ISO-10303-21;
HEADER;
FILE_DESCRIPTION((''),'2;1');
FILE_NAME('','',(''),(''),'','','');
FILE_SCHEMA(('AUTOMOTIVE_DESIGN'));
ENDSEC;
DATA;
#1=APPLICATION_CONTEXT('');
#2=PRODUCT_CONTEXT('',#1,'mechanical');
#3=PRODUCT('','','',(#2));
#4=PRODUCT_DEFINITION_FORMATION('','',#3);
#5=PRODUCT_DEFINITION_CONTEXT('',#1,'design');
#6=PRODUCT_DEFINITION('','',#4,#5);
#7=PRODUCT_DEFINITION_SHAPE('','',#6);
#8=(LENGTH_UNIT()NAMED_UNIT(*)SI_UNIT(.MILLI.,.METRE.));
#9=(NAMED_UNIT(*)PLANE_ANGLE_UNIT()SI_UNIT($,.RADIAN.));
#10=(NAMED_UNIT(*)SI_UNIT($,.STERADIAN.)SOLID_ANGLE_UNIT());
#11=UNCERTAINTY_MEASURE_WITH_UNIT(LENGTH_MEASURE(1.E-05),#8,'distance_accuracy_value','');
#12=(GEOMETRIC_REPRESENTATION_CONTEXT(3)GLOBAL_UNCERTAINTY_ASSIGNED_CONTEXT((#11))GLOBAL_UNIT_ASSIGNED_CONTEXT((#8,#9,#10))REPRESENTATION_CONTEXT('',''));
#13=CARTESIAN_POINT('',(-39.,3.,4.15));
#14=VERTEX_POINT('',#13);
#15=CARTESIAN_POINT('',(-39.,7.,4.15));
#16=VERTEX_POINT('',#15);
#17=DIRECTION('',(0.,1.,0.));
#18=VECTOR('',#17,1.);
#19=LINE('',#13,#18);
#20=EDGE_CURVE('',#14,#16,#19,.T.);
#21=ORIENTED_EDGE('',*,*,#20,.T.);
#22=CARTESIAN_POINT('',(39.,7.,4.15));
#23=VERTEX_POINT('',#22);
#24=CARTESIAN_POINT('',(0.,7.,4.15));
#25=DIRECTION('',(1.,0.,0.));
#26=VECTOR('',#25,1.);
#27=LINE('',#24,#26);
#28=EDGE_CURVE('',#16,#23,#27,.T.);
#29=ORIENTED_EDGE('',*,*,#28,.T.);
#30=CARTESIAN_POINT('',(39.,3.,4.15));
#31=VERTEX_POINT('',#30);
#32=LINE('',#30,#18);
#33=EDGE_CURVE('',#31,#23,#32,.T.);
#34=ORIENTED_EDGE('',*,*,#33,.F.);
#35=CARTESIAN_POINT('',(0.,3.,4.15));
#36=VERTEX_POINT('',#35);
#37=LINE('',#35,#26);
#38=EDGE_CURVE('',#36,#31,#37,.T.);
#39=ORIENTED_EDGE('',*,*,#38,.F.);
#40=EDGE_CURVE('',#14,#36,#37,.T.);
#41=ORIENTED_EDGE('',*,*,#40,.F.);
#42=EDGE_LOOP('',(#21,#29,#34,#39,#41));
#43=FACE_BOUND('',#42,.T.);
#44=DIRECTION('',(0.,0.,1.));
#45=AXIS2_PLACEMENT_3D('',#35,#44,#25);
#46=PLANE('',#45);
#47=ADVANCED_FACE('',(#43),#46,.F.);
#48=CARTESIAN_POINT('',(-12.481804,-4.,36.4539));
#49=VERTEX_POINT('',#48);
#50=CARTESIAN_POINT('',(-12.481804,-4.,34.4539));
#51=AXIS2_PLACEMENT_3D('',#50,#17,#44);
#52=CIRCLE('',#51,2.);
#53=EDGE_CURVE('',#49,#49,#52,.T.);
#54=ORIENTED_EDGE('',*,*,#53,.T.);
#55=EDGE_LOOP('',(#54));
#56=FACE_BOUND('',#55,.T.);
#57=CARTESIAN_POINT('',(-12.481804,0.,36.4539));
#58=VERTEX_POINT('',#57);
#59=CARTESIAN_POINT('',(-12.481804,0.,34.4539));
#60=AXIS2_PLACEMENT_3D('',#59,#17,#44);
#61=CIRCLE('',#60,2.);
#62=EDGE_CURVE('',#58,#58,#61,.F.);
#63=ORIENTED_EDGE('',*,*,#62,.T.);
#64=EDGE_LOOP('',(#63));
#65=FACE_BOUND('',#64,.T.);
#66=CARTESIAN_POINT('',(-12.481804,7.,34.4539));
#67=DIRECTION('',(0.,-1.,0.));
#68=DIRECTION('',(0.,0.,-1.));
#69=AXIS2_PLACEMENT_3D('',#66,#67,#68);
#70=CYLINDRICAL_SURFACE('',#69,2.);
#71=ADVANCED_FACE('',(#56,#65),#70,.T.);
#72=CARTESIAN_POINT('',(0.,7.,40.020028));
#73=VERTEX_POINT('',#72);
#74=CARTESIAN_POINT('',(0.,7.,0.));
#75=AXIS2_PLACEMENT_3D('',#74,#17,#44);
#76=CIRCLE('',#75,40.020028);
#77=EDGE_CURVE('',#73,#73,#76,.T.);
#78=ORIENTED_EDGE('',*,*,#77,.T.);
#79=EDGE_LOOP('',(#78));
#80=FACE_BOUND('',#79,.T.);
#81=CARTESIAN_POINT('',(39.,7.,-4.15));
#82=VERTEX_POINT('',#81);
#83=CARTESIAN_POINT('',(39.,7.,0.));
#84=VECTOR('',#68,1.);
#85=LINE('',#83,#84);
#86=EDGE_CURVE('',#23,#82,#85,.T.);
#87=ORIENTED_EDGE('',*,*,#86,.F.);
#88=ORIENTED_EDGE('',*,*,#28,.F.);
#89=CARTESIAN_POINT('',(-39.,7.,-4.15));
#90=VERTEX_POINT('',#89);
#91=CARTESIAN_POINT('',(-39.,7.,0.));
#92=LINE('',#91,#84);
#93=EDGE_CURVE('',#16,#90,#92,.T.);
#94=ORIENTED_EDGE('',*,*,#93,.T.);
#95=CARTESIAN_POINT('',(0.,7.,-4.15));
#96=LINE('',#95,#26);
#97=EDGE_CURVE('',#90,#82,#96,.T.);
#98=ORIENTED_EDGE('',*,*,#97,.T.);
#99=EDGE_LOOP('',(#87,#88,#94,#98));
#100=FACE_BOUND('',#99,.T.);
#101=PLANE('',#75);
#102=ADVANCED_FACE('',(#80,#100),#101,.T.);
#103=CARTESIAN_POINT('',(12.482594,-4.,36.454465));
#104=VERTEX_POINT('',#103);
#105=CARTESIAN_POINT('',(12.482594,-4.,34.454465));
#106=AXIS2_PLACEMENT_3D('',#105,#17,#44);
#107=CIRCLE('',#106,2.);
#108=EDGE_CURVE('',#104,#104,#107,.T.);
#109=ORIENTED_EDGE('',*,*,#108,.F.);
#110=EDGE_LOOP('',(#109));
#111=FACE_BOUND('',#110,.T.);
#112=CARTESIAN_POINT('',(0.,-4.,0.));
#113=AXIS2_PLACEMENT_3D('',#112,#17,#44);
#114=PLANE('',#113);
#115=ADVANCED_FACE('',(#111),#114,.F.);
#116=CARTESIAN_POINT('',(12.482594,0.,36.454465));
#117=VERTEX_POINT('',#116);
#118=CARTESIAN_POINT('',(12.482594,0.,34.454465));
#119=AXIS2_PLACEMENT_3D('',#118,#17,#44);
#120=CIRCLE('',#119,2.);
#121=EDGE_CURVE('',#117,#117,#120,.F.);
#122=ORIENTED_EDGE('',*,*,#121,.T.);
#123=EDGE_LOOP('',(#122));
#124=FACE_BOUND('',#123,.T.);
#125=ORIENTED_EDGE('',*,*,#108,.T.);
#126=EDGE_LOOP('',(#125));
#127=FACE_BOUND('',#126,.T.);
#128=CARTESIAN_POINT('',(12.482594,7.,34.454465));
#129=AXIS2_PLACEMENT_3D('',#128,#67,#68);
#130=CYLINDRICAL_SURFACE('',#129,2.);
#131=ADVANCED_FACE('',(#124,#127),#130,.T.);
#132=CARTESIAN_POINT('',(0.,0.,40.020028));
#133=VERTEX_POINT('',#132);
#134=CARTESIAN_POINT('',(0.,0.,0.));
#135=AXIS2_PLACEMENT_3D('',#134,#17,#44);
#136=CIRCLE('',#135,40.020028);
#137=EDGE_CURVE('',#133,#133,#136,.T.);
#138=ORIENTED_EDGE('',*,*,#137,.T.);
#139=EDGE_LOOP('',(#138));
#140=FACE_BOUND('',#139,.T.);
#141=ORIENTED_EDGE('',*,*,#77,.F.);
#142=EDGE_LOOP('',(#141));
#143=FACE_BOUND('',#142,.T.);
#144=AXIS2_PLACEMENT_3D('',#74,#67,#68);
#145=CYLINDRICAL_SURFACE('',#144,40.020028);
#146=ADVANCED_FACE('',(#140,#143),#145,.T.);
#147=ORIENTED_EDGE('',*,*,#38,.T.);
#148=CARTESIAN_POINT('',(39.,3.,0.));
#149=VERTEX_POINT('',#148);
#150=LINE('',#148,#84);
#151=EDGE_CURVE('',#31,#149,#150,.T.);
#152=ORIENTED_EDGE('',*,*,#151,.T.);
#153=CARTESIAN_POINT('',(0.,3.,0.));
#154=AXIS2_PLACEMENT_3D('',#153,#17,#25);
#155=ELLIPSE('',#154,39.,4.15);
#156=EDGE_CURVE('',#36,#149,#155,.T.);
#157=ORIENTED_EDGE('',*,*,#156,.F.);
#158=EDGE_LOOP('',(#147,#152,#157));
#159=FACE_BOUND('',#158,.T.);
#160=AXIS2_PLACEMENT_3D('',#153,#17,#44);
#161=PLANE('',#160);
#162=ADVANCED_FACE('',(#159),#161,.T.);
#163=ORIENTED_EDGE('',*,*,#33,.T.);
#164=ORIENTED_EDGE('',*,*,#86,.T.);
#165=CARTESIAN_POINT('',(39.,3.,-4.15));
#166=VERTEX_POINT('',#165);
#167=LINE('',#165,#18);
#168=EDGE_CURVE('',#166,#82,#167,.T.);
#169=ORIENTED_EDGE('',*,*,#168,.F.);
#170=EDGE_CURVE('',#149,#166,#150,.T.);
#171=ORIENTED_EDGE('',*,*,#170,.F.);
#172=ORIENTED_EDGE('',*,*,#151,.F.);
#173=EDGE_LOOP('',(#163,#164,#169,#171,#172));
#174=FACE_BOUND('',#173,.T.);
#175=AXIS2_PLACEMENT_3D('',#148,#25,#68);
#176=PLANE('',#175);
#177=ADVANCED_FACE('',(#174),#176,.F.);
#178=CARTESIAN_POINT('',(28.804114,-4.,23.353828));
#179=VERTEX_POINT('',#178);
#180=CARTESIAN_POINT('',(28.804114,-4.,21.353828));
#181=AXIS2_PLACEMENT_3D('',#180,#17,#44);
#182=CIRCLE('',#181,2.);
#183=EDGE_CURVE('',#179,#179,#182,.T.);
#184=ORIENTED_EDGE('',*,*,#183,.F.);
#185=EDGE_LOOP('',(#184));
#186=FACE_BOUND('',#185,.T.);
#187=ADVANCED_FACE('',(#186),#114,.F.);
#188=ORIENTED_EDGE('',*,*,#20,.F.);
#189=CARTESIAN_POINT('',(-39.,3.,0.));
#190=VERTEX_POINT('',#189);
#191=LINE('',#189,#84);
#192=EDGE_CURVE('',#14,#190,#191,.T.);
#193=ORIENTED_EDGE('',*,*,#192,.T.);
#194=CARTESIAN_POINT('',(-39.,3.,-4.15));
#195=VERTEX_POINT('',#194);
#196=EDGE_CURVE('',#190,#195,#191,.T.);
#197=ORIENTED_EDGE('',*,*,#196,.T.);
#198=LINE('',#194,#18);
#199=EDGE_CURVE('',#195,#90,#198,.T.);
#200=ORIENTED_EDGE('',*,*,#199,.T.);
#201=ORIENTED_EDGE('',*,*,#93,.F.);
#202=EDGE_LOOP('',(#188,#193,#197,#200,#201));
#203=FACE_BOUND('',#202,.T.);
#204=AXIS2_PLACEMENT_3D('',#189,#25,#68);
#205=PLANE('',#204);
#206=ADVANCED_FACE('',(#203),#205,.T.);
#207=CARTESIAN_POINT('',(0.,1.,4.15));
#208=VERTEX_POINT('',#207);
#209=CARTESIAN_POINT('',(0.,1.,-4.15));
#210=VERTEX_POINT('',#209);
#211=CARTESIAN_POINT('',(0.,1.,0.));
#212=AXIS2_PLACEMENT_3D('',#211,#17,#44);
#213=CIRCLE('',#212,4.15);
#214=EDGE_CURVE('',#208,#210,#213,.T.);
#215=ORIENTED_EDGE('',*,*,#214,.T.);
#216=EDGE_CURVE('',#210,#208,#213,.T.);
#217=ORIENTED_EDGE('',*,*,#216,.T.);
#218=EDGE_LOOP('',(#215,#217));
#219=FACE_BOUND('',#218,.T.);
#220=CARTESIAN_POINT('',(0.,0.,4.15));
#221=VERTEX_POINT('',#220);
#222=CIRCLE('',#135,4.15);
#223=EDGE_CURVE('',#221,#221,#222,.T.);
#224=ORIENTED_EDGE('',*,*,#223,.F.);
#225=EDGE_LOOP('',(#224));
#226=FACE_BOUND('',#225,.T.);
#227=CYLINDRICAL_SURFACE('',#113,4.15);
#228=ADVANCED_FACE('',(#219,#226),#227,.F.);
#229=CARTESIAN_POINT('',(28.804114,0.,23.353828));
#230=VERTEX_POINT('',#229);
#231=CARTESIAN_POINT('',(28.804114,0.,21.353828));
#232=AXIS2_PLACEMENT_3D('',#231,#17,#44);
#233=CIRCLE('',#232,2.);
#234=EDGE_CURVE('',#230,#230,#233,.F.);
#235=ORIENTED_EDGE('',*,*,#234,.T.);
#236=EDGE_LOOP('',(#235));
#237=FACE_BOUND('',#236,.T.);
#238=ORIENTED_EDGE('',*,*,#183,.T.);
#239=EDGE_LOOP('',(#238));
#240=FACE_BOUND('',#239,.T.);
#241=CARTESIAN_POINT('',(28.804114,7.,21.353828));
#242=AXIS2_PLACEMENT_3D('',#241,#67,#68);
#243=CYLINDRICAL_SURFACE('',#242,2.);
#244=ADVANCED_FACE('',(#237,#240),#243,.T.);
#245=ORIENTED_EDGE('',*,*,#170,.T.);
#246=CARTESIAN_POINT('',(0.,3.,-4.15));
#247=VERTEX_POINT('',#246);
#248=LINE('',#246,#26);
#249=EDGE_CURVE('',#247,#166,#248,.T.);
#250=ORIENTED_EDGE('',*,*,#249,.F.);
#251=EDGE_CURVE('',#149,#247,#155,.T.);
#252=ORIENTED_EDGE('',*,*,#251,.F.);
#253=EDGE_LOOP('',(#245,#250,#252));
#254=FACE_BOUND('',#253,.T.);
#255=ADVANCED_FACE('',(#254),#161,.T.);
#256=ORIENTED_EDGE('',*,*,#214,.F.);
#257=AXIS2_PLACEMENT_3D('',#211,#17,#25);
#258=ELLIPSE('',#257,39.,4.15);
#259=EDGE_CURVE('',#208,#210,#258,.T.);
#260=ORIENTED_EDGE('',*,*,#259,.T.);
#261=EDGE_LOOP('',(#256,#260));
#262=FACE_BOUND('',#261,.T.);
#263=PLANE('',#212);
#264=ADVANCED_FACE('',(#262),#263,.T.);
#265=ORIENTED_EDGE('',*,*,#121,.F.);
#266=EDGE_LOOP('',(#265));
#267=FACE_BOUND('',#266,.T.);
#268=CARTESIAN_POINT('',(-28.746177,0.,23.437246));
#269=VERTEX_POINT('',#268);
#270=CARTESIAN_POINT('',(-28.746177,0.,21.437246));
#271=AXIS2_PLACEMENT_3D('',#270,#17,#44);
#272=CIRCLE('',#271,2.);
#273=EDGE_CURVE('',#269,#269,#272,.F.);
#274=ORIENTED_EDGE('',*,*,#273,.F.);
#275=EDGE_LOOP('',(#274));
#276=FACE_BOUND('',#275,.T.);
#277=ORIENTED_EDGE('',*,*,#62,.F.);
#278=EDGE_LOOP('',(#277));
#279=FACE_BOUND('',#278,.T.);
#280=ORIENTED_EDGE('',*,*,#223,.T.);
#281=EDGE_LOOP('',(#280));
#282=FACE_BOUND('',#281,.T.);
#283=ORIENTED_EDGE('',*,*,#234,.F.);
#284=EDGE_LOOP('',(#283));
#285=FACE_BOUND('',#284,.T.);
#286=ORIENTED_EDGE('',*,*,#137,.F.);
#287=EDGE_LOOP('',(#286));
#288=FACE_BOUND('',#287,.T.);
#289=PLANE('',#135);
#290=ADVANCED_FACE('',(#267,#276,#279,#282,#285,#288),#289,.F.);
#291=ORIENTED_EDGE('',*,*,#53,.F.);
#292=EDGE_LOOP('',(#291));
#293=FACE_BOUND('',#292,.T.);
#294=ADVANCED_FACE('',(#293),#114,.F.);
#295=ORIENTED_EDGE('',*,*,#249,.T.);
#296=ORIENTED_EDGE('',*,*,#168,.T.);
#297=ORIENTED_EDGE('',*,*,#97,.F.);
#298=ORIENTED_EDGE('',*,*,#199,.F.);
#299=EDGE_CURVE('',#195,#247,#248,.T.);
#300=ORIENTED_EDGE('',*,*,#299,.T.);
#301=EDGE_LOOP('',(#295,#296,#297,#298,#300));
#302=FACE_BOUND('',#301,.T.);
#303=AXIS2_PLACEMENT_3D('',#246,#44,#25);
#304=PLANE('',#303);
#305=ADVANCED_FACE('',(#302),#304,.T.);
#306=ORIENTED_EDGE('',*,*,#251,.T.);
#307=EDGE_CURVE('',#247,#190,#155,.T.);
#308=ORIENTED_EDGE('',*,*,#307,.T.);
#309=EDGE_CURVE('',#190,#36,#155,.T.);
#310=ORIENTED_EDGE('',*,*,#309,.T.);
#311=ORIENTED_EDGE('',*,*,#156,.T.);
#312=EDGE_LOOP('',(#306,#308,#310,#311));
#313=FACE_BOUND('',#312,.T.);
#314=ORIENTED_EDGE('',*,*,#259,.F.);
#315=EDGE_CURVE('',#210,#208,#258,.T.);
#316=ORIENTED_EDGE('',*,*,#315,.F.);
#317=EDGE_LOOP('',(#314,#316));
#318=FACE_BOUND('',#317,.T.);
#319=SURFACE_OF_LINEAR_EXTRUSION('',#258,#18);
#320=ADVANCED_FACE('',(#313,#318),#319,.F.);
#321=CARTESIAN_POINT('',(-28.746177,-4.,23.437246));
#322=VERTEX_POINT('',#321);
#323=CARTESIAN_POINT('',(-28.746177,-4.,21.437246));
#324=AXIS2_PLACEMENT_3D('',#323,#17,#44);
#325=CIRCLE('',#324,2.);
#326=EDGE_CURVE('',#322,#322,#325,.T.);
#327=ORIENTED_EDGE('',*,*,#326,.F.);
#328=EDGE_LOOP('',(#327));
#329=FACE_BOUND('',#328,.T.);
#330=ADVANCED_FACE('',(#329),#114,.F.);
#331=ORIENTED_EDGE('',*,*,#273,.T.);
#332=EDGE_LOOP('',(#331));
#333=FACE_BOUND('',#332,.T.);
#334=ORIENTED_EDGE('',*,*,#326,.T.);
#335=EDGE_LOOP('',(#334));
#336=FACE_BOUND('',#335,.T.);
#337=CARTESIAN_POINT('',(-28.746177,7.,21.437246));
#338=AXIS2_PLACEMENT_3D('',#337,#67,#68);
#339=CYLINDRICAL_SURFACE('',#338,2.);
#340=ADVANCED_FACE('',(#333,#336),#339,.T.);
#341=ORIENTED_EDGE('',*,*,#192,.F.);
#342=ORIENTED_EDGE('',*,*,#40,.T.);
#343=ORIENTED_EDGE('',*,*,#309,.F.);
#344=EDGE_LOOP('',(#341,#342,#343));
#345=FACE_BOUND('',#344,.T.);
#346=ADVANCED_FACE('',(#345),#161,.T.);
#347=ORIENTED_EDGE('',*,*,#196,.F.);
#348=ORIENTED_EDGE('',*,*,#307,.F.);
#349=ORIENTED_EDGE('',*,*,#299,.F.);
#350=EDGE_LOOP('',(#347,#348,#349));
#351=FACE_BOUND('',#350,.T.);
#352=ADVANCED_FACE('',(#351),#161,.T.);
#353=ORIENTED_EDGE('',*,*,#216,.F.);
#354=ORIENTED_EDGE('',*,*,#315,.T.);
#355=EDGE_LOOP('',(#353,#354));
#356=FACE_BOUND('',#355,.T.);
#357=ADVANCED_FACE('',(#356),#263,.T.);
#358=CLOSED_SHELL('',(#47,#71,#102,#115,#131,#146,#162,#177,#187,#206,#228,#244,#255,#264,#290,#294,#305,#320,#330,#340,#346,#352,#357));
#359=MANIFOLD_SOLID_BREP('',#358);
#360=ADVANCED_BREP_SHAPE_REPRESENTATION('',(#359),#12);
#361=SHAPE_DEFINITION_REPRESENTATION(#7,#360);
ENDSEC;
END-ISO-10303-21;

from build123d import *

# Parameters (mm, degrees)
SKETCH_9_R           = 40.020028018
EXTRUDE_3_DEPTH      = 7
EXTRUDE_4_DEPTH      = 7
EXTRUDE_4_DEPTH_BACK = 4
SKETCH_9_3_R         = 2
SKETCH_10_W          = 78
SKETCH_10_H          = 8.3
CUT_EXTRUDE_4_DEPTH  = 4
SKETCH_12_RX         = 39
SKETCH_12_RY         = 4.15
CUT_EXTRUDE_6_DEPTH  = 2
SKETCH_13_R          = 4.15
CUT_EXTRUDE_7_DEPTH  = 57.914016597


with BuildPart() as part:
    # 草图9 → 凸台-拉伸3 (new body)
    with BuildSketch(Plane(origin=(0, 0, 0), x_dir=(1, 0, 0), z_dir=(0, 1, 0))):
        Circle(SKETCH_9_R)
        with BuildLine():
            ThreePointArc((-27.585789036, -23.066203122), (-30.407992627, -22.550065759), (-29.810498329, -19.743959658))
            ThreePointArc((-29.810498329, -19.743959658), (-27.778871949, -19.686725751), (-26.746176582, -21.437246172))
            ThreePointArc((-26.746176582, -21.437246172), (-26.968428696, -22.353549864), (-27.585789036, -23.066203122))
        make_face(mode=Mode.SUBTRACT)
        with BuildLine():
            ThreePointArc((-10.596443163, -35.12129407), (-13.203413531, -36.31918237), (-14.325449842, -33.678677608))
            ThreePointArc((-14.325449842, -33.678677608), (-12.086387614, -32.493377831), (-10.481803809, -34.453899709))
            ThreePointArc((-10.481803809, -34.453899709), (-10.51067199, -34.792484046), (-10.596443163, -35.12129407))
        make_face(mode=Mode.SUBTRACT)
        with BuildLine():
            ThreePointArc((14.482594231, -34.454465093), (12.821133927, -36.425604579), (10.597203357, -35.121774056))
            ThreePointArc((10.597203357, -35.121774056), (11.761068998, -32.589149748), (14.326275376, -33.679326501))
            ThreePointArc((14.326275376, -33.679326501), (14.443125064, -34.059093299), (14.482594231, -34.454465093))
        make_face(mode=Mode.SUBTRACT)
        with BuildLine():
            ThreePointArc((30.804113616, -21.353828271), (29.722993149, -23.130246128), (27.648453212, -22.986142282))
            ThreePointArc((27.648453212, -22.986142282), (27.139078544, -20.245830883), (29.863522136, -19.657463456))
            ThreePointArc((29.863522136, -19.657463456), (30.553230113, -20.383987315), (30.804113616, -21.353828271))
        make_face(mode=Mode.SUBTRACT)
    extrude(amount=EXTRUDE_3_DEPTH)

    # 草图9<3> → 凸台-拉伸4 (add, two sides: drawn at the far end of the back side and taken through both)
    with BuildSketch(Plane(origin=(0, 0, 0), x_dir=(1, 0, 0), z_dir=(0, 1, 0)).offset(-EXTRUDE_4_DEPTH_BACK)):
        with Locations((-28.746176582, -21.437246172)):
            Circle(SKETCH_9_3_R)
        with Locations((28.804113616, -21.353828271)):
            Circle(SKETCH_9_3_R)
        with Locations((12.482594231, -34.454465093)):
            Circle(SKETCH_9_3_R)
        with Locations((-12.481803809, -34.453899709)):
            Circle(SKETCH_9_3_R)
    extrude(amount=EXTRUDE_4_DEPTH + EXTRUDE_4_DEPTH_BACK)

    # 草图10 → 切除-拉伸4 (cut)
    with BuildSketch(Plane(origin=(0, 7, 0), x_dir=(1, 0, 0), z_dir=(0, 1, 0))):
        Rectangle(SKETCH_10_W, SKETCH_10_H)
    extrude(amount=-CUT_EXTRUDE_4_DEPTH, mode=Mode.SUBTRACT)

    # 草图12 → 切除-拉伸6 (cut)
    with BuildSketch(Plane(origin=(0, 3, 0), x_dir=(1, 0, 0), z_dir=(0, 1, 0))):
        with Locations(Location((0, 0), (0, 0, 0))):
            Ellipse(SKETCH_12_RX, SKETCH_12_RY)
    extrude(amount=-CUT_EXTRUDE_6_DEPTH, mode=Mode.SUBTRACT)

    # 草图13 → 切除-拉伸7 (cut, through all)
    with BuildSketch(Plane(origin=(0, 1, 0), x_dir=(1, 0, 0), z_dir=(0, 1, 0))):
        Circle(SKETCH_13_R)
    extrude(amount=-CUT_EXTRUDE_7_DEPTH, mode=Mode.SUBTRACT)


solid = part.part
